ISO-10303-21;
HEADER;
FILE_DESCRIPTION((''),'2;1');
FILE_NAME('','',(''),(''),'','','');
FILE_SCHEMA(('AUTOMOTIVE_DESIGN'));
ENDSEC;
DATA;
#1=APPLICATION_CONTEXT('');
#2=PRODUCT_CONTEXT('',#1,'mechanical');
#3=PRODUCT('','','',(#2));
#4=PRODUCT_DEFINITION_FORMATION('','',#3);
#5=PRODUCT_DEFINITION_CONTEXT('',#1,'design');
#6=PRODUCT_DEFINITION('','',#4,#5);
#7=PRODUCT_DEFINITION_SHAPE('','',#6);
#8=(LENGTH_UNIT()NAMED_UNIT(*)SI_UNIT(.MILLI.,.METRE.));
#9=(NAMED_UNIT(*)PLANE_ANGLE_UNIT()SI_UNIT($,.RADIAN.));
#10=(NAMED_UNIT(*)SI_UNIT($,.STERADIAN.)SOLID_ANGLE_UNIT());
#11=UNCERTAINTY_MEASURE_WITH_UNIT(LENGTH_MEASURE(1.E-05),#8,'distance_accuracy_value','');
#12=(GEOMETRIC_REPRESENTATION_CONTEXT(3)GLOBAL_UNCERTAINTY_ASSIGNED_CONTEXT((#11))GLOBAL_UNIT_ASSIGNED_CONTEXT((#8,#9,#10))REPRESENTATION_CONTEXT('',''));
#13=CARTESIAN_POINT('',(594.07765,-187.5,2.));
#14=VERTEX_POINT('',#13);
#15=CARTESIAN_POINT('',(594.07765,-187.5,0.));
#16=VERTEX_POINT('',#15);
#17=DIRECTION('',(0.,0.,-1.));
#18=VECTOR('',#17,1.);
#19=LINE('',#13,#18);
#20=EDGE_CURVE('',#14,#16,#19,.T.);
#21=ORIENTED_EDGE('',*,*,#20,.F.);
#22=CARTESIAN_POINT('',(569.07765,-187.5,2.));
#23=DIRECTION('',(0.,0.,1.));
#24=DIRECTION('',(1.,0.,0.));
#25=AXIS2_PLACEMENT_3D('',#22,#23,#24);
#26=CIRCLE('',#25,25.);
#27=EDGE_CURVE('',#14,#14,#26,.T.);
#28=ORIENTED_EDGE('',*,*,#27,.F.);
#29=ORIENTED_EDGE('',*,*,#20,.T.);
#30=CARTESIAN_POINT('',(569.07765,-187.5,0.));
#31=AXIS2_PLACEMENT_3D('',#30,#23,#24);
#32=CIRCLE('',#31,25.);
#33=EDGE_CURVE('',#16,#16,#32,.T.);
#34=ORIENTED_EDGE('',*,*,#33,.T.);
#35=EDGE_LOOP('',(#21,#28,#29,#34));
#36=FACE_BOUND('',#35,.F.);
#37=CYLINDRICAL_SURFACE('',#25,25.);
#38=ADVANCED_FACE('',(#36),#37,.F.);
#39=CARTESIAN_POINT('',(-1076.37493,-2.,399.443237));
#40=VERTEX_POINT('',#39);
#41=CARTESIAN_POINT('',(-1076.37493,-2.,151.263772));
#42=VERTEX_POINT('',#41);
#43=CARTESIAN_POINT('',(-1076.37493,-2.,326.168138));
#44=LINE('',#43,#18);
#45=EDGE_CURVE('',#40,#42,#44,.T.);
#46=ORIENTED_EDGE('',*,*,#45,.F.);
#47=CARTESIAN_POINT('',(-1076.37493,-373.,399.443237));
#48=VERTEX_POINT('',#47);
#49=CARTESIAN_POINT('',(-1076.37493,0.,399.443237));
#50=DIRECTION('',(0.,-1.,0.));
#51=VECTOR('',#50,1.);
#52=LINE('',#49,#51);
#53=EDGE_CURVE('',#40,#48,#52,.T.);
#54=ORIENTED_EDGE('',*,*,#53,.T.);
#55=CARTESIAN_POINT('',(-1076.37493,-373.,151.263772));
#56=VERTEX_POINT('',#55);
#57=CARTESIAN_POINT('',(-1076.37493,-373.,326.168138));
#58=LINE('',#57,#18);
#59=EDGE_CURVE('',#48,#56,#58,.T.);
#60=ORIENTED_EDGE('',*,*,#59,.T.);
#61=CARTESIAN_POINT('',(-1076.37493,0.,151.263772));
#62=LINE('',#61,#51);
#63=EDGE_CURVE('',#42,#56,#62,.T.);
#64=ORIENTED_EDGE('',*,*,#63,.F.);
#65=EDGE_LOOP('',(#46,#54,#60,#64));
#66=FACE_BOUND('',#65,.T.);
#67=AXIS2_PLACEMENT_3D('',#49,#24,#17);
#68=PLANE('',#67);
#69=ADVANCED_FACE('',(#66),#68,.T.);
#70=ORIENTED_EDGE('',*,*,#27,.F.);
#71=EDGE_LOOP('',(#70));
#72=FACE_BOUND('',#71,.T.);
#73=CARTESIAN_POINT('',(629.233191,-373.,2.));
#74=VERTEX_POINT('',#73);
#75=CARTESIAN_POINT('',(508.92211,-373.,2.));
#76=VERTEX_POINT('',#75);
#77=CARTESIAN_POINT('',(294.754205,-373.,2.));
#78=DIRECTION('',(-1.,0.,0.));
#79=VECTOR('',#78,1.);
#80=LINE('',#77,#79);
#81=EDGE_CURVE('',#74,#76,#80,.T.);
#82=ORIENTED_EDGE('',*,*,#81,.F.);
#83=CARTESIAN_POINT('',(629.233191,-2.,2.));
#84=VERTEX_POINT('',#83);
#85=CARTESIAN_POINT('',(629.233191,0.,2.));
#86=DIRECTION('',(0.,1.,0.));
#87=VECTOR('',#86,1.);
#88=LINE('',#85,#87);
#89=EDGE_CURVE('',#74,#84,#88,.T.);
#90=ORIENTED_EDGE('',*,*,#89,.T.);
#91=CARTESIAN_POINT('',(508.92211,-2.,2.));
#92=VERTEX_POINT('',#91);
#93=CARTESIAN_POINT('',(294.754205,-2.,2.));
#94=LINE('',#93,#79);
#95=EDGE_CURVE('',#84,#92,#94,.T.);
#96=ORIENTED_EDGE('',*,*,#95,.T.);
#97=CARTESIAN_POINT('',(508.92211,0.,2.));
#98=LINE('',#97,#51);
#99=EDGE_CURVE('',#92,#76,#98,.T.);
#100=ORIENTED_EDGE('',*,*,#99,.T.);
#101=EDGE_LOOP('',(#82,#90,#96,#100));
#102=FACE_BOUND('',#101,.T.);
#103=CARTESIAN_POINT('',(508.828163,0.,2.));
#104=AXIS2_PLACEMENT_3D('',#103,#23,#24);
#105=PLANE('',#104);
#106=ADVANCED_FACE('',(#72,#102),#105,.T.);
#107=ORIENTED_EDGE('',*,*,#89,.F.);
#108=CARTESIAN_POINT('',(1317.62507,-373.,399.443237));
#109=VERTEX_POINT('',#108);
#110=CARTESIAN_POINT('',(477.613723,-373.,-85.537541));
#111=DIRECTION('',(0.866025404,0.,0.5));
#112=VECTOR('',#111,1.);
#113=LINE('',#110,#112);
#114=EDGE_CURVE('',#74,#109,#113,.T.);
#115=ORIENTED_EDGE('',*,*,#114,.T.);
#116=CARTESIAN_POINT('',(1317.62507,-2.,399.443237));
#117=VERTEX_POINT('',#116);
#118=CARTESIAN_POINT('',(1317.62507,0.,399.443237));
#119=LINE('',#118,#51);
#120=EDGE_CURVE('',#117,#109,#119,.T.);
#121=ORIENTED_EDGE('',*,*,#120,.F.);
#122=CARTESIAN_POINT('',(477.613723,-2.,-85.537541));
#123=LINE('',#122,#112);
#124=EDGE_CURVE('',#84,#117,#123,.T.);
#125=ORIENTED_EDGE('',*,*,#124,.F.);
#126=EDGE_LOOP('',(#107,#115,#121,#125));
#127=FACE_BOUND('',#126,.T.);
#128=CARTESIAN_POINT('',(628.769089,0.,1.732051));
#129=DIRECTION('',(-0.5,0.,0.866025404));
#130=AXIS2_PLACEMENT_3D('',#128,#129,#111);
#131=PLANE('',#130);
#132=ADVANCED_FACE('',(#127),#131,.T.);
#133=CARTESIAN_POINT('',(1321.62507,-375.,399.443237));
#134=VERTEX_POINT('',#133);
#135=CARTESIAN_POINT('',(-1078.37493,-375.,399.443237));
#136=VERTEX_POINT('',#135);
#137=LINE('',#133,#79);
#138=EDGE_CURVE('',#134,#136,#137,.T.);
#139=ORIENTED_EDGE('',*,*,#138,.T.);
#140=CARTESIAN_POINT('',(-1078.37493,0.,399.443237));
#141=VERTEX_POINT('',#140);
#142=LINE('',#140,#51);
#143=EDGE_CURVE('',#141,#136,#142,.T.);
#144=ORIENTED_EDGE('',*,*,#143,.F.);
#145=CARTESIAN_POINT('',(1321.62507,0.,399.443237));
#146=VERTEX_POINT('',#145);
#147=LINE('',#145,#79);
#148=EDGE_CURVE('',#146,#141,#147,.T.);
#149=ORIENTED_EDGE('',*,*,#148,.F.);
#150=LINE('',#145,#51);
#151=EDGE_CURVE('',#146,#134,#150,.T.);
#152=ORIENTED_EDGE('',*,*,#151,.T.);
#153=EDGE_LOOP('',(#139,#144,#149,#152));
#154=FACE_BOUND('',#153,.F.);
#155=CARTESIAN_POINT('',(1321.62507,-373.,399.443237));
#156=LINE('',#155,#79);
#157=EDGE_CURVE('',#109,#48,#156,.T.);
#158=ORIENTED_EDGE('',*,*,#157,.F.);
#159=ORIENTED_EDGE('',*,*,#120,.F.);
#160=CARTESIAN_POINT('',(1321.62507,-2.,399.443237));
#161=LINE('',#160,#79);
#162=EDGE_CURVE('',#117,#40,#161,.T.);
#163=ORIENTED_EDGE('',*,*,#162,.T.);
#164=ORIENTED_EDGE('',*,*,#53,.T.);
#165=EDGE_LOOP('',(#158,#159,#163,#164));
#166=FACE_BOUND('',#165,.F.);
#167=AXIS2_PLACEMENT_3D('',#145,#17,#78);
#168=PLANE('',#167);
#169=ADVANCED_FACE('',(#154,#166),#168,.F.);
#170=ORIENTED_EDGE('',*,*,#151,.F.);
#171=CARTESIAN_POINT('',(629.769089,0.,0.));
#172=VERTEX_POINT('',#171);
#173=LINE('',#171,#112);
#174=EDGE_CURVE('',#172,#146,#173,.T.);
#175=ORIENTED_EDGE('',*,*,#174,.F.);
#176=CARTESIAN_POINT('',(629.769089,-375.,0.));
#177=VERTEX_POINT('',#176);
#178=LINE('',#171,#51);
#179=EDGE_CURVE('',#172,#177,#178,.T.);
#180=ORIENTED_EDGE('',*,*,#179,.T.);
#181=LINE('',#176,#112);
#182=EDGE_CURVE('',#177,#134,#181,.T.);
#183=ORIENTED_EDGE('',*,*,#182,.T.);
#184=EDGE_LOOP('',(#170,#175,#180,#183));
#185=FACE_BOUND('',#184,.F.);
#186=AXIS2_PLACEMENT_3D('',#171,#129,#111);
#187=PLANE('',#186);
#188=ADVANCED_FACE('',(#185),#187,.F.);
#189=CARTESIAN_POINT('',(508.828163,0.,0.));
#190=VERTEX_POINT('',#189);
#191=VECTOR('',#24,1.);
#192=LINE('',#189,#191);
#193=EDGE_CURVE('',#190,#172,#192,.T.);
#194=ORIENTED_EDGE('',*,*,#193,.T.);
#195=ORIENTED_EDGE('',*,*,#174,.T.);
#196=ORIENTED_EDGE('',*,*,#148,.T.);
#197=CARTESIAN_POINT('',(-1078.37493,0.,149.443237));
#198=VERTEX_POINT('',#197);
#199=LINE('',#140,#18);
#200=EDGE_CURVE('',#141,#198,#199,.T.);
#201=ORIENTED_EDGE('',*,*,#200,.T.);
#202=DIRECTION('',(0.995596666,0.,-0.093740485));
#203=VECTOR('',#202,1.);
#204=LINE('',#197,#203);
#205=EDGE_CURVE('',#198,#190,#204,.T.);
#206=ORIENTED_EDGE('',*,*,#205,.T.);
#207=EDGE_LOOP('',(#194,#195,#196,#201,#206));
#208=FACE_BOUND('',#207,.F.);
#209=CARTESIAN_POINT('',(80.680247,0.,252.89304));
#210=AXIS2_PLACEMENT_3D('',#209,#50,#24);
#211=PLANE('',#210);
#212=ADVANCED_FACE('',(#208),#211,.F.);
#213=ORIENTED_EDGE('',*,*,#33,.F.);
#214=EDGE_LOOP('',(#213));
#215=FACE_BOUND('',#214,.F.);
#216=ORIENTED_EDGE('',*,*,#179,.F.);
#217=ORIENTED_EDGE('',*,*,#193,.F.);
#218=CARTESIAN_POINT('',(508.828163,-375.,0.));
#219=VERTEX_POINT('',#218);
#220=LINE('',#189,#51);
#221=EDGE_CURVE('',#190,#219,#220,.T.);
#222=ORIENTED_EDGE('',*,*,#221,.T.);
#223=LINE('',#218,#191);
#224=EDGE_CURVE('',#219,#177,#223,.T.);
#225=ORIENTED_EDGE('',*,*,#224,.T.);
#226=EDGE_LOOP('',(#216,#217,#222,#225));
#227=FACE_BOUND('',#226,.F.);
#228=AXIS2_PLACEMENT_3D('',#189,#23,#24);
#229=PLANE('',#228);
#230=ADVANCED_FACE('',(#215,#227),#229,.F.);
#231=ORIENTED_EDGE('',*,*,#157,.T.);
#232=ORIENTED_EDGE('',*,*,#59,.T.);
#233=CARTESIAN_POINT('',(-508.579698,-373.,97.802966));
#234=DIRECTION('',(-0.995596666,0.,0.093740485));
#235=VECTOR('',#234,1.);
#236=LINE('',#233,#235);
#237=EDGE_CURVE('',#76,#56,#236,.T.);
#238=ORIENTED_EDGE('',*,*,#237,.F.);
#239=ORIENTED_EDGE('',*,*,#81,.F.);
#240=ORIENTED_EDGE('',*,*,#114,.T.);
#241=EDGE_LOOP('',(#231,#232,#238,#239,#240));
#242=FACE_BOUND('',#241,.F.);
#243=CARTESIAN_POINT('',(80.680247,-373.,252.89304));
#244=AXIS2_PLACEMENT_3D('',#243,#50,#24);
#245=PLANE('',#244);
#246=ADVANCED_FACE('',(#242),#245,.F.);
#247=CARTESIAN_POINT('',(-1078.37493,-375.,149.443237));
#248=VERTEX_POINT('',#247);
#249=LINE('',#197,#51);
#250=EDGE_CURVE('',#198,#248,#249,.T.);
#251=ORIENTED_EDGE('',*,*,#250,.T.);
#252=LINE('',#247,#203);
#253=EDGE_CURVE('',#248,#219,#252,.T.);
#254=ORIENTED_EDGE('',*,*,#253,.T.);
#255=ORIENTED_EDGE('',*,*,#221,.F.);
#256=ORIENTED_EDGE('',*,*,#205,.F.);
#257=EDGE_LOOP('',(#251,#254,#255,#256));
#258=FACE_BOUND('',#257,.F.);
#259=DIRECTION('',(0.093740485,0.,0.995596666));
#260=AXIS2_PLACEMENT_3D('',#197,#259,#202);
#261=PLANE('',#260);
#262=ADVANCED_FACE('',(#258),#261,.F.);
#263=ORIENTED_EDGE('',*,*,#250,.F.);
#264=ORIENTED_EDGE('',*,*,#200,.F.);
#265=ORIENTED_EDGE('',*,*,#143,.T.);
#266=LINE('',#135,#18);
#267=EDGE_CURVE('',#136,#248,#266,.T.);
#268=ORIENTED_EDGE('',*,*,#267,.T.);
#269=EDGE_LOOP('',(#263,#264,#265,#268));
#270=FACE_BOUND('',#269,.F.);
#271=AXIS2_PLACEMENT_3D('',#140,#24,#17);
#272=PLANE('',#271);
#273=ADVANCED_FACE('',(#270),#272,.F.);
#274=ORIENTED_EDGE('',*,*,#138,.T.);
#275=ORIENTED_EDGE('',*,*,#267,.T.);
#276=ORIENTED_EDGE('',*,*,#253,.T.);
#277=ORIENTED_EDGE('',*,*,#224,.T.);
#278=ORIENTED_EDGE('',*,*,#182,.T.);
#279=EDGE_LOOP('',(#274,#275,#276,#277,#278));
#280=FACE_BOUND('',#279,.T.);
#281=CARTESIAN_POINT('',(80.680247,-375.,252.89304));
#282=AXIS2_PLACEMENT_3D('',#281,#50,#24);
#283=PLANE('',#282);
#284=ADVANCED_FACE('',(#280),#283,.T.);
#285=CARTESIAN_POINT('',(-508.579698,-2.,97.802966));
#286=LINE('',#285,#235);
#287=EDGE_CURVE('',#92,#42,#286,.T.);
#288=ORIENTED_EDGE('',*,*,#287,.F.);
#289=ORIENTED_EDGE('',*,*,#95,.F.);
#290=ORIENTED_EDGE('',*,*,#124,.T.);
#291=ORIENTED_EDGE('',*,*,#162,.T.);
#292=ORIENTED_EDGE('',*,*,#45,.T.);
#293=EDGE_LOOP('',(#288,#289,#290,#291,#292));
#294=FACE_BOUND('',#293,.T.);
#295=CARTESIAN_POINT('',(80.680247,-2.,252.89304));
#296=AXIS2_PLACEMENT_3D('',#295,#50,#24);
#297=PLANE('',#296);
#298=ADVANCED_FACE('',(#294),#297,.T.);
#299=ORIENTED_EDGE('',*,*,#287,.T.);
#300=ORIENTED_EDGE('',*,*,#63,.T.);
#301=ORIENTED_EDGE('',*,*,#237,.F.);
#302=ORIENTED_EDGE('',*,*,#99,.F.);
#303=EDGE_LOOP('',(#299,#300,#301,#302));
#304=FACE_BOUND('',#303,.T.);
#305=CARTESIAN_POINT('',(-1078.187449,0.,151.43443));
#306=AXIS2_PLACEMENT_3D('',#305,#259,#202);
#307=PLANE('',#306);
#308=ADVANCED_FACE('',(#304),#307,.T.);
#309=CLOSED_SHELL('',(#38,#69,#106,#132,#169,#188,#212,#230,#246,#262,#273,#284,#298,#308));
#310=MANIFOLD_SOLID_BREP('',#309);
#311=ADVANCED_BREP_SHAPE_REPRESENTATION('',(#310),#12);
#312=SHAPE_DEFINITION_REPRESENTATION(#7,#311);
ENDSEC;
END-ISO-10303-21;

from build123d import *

# Parameters (mm, degrees)
F1_DEPTH = 375
F2_T     = -2
F3_R     = 25
F4_DEPTH = 25


with BuildPart() as f1:
    # F0 (on Front) → F1 (new body)
    with BuildSketch(Plane.XZ):
        Polygon((1321.62507, 399.443237), (-1078.37493, 399.443237), (-1078.37493, 149.443237), (508.828163, 0), (629.769089, 0), align=None)
    extrude(amount=F1_DEPTH)

    # F2
    f2_openings = [f1.faces().sort_by_distance(p)[0] for p in [
        (121.62507, -187.5, 399.443237),
    ]]
    offset(amount=F2_T, openings=f2_openings)

    # F3 (on face) → F4 (cut)
    with BuildSketch(Plane.XY.offset(2)):
        with Locations((569.07765, -187.5)):
            Circle(F3_R)
    extrude(amount=-F4_DEPTH, mode=Mode.SUBTRACT)


solid = f1.part
